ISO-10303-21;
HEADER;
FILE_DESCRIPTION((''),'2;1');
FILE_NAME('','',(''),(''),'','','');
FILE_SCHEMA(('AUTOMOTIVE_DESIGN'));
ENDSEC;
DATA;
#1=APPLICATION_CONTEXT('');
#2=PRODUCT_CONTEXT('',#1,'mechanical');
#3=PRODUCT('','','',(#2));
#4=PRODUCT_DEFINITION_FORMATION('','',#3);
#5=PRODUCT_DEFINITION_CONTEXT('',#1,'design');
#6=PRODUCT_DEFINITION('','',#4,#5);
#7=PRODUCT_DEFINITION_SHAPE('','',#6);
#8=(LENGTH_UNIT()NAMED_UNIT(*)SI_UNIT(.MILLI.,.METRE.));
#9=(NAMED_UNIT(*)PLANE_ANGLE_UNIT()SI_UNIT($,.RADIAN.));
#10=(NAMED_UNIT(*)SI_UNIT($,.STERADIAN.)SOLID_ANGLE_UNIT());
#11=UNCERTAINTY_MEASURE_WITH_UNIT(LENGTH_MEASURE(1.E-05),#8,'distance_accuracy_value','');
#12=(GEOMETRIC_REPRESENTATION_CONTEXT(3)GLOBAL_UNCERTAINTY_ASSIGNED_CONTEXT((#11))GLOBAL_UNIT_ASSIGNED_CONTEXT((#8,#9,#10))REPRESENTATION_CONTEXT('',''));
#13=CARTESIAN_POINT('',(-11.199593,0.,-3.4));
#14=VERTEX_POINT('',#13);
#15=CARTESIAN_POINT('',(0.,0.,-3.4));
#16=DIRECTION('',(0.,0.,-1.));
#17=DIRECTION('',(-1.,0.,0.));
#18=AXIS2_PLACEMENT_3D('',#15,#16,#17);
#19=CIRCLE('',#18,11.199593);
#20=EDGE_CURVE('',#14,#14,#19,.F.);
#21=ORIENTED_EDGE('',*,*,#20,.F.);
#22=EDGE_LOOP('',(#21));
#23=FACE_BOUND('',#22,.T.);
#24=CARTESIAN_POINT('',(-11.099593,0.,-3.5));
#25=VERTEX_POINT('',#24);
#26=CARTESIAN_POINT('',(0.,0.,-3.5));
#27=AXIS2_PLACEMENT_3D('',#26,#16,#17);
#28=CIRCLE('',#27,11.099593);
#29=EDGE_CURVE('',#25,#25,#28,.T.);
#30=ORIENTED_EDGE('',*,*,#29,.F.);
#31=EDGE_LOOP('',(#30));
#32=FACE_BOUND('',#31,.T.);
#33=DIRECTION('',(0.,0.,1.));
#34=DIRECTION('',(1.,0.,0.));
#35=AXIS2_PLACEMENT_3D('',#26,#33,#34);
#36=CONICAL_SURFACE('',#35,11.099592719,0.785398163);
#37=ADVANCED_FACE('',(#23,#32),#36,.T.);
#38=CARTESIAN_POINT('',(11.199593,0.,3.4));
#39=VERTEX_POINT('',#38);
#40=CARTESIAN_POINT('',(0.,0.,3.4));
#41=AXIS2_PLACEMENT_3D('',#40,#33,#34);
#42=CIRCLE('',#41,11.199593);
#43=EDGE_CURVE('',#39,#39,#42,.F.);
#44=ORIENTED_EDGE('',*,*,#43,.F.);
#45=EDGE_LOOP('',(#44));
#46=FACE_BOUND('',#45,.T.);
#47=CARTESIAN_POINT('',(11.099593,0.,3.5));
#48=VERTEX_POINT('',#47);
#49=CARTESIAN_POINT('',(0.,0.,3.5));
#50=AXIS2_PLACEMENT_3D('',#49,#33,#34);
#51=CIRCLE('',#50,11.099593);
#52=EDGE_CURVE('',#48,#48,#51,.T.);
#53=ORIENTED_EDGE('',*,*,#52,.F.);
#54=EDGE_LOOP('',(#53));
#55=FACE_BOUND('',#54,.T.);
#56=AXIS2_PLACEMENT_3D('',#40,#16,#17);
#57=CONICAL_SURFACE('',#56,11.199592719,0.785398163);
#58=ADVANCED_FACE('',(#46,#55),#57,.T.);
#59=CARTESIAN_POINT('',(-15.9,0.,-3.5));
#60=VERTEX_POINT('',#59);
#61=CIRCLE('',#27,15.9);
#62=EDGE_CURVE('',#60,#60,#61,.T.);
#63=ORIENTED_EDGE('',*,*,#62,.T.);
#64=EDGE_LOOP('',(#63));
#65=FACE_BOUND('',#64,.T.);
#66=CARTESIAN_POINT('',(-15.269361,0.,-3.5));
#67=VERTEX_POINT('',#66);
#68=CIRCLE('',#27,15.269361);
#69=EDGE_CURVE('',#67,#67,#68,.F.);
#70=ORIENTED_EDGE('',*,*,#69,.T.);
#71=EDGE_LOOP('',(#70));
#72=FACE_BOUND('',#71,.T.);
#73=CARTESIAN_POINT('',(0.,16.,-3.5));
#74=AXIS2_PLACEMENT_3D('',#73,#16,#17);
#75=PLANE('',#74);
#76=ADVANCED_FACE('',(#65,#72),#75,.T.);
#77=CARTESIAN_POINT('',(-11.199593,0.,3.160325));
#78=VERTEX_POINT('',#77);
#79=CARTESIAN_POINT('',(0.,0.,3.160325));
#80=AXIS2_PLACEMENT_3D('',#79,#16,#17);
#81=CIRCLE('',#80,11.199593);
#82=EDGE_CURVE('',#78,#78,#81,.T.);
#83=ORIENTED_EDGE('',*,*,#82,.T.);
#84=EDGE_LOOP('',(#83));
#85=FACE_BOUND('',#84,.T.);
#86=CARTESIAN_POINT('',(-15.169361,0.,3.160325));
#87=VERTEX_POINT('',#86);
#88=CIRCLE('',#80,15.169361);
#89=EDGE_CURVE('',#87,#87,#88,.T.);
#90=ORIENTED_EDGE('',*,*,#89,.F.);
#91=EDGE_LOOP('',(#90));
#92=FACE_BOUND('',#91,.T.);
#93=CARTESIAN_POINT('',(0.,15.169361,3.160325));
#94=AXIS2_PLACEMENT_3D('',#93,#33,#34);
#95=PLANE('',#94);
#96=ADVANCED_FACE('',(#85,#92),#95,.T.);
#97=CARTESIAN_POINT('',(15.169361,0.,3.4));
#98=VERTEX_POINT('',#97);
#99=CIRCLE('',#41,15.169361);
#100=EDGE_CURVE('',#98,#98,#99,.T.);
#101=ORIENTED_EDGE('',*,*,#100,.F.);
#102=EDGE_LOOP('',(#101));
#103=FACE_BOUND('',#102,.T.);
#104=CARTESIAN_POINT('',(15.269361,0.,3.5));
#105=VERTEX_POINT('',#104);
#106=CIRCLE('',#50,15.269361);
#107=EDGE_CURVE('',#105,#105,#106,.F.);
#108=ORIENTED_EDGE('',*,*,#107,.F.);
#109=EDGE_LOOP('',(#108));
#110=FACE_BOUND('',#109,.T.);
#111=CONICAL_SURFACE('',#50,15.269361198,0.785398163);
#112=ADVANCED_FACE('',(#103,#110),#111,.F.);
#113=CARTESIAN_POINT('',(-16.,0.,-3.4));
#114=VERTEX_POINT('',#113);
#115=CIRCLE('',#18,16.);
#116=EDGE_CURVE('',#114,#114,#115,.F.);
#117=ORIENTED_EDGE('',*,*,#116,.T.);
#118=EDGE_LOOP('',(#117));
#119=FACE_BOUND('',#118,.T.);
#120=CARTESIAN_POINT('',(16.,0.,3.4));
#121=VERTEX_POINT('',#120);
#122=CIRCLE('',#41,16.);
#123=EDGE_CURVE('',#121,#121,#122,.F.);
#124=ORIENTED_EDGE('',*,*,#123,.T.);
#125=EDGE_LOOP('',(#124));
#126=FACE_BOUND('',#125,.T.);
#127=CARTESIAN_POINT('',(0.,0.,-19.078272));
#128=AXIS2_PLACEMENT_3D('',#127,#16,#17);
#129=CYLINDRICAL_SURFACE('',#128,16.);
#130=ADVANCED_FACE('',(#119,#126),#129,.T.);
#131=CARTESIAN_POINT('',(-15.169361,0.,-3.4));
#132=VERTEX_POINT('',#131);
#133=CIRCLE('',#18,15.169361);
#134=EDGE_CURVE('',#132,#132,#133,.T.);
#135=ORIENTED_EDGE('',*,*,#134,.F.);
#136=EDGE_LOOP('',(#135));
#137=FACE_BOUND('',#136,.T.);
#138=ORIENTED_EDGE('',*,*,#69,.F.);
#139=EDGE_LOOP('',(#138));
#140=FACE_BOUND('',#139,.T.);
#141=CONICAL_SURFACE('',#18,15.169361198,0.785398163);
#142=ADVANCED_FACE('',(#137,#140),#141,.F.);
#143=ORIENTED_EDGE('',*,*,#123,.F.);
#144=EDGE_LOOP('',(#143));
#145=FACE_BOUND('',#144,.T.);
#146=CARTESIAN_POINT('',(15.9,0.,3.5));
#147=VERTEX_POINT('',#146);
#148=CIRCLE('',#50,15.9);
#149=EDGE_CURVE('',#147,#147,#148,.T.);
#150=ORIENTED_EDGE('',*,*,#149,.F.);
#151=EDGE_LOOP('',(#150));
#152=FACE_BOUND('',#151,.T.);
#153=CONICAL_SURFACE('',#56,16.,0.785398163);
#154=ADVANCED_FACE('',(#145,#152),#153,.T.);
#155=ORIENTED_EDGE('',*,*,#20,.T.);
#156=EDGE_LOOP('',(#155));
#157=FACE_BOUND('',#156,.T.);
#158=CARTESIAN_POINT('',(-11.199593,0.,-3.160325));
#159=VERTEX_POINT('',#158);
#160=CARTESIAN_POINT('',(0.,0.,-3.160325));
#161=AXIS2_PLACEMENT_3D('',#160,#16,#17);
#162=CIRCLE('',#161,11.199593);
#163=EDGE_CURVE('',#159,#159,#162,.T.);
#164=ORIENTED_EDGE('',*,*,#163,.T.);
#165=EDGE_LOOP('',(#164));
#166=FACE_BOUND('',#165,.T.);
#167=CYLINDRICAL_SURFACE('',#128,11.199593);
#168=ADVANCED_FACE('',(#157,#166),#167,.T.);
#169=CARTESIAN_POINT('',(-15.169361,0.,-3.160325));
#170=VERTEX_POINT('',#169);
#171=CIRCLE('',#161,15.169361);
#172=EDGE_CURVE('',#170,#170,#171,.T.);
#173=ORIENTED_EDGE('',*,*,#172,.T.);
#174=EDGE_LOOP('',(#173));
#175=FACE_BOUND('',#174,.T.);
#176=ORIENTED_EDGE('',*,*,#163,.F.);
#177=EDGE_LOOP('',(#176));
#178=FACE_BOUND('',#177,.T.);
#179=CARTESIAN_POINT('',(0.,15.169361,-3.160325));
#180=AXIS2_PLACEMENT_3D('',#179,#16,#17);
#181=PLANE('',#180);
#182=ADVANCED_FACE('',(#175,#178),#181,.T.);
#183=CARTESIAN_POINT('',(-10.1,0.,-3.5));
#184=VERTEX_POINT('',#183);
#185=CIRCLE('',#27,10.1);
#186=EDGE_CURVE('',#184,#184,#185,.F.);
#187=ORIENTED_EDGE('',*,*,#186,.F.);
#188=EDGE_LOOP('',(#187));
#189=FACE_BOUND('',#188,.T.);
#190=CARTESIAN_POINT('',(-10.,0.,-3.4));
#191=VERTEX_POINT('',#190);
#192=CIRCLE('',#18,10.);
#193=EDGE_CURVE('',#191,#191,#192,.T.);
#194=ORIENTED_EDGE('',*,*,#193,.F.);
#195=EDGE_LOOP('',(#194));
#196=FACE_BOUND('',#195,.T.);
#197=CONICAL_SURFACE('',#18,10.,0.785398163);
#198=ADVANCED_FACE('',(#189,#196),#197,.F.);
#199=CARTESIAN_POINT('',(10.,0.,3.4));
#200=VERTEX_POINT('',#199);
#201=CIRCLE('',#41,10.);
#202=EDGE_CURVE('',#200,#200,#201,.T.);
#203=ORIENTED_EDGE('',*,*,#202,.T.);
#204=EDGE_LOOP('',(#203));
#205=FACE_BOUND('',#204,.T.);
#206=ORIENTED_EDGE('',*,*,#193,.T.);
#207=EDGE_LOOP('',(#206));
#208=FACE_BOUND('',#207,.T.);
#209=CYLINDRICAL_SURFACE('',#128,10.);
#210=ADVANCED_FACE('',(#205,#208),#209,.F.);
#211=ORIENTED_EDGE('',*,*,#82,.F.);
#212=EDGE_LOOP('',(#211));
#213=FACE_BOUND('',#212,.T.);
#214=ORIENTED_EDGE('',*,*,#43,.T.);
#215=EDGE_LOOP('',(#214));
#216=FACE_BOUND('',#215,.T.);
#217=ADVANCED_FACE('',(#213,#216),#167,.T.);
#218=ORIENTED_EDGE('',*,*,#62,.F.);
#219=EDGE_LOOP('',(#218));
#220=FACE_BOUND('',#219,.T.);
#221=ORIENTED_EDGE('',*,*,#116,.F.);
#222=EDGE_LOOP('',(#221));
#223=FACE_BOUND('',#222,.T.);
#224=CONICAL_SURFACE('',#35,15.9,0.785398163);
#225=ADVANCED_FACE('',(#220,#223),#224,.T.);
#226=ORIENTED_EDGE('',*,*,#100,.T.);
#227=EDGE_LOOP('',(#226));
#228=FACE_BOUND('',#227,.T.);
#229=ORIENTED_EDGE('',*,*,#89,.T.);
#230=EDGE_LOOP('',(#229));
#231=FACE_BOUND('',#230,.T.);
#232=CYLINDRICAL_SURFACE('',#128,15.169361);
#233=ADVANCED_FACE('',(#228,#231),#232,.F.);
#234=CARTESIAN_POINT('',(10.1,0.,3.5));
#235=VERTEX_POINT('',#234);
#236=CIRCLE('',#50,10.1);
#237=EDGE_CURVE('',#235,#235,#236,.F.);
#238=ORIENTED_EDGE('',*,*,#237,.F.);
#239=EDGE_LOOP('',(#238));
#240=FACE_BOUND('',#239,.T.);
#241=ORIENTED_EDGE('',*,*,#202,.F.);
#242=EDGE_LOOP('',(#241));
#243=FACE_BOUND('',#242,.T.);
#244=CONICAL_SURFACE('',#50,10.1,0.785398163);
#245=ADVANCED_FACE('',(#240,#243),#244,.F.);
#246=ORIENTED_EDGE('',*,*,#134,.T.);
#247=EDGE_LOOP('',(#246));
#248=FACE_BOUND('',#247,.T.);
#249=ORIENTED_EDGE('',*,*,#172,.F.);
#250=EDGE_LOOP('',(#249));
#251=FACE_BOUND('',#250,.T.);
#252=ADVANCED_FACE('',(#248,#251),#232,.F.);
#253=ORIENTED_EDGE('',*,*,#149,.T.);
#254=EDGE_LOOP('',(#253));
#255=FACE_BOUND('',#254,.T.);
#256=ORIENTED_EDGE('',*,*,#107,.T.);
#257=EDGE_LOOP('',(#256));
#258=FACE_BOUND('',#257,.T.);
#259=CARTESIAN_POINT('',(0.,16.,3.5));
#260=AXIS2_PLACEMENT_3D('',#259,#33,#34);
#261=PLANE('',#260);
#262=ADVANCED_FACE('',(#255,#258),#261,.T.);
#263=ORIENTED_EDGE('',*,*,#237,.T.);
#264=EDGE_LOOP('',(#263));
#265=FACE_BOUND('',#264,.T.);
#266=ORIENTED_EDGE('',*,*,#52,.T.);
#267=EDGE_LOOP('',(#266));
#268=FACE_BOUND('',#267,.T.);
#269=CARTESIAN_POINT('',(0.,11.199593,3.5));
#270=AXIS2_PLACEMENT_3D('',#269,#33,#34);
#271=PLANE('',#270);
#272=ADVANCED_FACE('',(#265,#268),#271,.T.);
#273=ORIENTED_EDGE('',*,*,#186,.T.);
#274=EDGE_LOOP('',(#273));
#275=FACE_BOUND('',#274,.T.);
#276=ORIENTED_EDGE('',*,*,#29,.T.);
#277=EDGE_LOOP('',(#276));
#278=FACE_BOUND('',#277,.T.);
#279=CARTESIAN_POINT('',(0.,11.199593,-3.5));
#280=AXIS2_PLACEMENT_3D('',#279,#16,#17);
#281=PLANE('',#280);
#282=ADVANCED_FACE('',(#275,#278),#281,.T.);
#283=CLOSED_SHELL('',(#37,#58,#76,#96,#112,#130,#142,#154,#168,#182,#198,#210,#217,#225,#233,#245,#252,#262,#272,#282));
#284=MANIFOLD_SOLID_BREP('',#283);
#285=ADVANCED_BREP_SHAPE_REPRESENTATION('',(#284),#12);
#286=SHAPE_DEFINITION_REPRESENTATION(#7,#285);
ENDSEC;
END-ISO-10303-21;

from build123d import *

# Parameters (mm, degrees)
CHAMFER1_SIZE = 0.1


with BuildPart() as part:
    # Sketch1 → Revolve1 (revolve)
    with BuildSketch(Plane(origin=(0, 0, 0), x_dir=(0, 0, -1), z_dir=(1, 0, 0)), mode=Mode.PRIVATE) as revolve1_sk:
        Polygon((-3.5, 16), (3.5, 16), (3.5, 15.169361198), (3.160325371, 15.169361198), (3.160325371, 11.199592719), (3.5, 11.199592719), (3.5, 10), (-3.5, 10), (-3.5, 11.199592719), (-3.160325371, 11.199592719), (-3.160325371, 15.169361198), (-3.5, 15.169361198), align=None)
    revolve(revolve1_sk.sketch.rotate(Axis((0, 0, -19.078271996), (0, 0, 1)), 90), axis=Axis((0, 0, -19.078271996), (0, 0, 1)))

    # Chamfer1
    chamfer1_edges = [part.edges().sort_by_distance(p)[0] for p in [
        (15.169361198, 0, 3.5),
        (16, 0, 3.5),
        (16, 0, -3.5),
        (15.169361198, 0, -3.5),
        (11.199592719, 0, -3.5),
        (10, 0, -3.5),
        (10, 0, 3.5),
        (11.199592719, 0, 3.5),
    ]]
    chamfer(chamfer1_edges, length=CHAMFER1_SIZE)


solid = part.part
